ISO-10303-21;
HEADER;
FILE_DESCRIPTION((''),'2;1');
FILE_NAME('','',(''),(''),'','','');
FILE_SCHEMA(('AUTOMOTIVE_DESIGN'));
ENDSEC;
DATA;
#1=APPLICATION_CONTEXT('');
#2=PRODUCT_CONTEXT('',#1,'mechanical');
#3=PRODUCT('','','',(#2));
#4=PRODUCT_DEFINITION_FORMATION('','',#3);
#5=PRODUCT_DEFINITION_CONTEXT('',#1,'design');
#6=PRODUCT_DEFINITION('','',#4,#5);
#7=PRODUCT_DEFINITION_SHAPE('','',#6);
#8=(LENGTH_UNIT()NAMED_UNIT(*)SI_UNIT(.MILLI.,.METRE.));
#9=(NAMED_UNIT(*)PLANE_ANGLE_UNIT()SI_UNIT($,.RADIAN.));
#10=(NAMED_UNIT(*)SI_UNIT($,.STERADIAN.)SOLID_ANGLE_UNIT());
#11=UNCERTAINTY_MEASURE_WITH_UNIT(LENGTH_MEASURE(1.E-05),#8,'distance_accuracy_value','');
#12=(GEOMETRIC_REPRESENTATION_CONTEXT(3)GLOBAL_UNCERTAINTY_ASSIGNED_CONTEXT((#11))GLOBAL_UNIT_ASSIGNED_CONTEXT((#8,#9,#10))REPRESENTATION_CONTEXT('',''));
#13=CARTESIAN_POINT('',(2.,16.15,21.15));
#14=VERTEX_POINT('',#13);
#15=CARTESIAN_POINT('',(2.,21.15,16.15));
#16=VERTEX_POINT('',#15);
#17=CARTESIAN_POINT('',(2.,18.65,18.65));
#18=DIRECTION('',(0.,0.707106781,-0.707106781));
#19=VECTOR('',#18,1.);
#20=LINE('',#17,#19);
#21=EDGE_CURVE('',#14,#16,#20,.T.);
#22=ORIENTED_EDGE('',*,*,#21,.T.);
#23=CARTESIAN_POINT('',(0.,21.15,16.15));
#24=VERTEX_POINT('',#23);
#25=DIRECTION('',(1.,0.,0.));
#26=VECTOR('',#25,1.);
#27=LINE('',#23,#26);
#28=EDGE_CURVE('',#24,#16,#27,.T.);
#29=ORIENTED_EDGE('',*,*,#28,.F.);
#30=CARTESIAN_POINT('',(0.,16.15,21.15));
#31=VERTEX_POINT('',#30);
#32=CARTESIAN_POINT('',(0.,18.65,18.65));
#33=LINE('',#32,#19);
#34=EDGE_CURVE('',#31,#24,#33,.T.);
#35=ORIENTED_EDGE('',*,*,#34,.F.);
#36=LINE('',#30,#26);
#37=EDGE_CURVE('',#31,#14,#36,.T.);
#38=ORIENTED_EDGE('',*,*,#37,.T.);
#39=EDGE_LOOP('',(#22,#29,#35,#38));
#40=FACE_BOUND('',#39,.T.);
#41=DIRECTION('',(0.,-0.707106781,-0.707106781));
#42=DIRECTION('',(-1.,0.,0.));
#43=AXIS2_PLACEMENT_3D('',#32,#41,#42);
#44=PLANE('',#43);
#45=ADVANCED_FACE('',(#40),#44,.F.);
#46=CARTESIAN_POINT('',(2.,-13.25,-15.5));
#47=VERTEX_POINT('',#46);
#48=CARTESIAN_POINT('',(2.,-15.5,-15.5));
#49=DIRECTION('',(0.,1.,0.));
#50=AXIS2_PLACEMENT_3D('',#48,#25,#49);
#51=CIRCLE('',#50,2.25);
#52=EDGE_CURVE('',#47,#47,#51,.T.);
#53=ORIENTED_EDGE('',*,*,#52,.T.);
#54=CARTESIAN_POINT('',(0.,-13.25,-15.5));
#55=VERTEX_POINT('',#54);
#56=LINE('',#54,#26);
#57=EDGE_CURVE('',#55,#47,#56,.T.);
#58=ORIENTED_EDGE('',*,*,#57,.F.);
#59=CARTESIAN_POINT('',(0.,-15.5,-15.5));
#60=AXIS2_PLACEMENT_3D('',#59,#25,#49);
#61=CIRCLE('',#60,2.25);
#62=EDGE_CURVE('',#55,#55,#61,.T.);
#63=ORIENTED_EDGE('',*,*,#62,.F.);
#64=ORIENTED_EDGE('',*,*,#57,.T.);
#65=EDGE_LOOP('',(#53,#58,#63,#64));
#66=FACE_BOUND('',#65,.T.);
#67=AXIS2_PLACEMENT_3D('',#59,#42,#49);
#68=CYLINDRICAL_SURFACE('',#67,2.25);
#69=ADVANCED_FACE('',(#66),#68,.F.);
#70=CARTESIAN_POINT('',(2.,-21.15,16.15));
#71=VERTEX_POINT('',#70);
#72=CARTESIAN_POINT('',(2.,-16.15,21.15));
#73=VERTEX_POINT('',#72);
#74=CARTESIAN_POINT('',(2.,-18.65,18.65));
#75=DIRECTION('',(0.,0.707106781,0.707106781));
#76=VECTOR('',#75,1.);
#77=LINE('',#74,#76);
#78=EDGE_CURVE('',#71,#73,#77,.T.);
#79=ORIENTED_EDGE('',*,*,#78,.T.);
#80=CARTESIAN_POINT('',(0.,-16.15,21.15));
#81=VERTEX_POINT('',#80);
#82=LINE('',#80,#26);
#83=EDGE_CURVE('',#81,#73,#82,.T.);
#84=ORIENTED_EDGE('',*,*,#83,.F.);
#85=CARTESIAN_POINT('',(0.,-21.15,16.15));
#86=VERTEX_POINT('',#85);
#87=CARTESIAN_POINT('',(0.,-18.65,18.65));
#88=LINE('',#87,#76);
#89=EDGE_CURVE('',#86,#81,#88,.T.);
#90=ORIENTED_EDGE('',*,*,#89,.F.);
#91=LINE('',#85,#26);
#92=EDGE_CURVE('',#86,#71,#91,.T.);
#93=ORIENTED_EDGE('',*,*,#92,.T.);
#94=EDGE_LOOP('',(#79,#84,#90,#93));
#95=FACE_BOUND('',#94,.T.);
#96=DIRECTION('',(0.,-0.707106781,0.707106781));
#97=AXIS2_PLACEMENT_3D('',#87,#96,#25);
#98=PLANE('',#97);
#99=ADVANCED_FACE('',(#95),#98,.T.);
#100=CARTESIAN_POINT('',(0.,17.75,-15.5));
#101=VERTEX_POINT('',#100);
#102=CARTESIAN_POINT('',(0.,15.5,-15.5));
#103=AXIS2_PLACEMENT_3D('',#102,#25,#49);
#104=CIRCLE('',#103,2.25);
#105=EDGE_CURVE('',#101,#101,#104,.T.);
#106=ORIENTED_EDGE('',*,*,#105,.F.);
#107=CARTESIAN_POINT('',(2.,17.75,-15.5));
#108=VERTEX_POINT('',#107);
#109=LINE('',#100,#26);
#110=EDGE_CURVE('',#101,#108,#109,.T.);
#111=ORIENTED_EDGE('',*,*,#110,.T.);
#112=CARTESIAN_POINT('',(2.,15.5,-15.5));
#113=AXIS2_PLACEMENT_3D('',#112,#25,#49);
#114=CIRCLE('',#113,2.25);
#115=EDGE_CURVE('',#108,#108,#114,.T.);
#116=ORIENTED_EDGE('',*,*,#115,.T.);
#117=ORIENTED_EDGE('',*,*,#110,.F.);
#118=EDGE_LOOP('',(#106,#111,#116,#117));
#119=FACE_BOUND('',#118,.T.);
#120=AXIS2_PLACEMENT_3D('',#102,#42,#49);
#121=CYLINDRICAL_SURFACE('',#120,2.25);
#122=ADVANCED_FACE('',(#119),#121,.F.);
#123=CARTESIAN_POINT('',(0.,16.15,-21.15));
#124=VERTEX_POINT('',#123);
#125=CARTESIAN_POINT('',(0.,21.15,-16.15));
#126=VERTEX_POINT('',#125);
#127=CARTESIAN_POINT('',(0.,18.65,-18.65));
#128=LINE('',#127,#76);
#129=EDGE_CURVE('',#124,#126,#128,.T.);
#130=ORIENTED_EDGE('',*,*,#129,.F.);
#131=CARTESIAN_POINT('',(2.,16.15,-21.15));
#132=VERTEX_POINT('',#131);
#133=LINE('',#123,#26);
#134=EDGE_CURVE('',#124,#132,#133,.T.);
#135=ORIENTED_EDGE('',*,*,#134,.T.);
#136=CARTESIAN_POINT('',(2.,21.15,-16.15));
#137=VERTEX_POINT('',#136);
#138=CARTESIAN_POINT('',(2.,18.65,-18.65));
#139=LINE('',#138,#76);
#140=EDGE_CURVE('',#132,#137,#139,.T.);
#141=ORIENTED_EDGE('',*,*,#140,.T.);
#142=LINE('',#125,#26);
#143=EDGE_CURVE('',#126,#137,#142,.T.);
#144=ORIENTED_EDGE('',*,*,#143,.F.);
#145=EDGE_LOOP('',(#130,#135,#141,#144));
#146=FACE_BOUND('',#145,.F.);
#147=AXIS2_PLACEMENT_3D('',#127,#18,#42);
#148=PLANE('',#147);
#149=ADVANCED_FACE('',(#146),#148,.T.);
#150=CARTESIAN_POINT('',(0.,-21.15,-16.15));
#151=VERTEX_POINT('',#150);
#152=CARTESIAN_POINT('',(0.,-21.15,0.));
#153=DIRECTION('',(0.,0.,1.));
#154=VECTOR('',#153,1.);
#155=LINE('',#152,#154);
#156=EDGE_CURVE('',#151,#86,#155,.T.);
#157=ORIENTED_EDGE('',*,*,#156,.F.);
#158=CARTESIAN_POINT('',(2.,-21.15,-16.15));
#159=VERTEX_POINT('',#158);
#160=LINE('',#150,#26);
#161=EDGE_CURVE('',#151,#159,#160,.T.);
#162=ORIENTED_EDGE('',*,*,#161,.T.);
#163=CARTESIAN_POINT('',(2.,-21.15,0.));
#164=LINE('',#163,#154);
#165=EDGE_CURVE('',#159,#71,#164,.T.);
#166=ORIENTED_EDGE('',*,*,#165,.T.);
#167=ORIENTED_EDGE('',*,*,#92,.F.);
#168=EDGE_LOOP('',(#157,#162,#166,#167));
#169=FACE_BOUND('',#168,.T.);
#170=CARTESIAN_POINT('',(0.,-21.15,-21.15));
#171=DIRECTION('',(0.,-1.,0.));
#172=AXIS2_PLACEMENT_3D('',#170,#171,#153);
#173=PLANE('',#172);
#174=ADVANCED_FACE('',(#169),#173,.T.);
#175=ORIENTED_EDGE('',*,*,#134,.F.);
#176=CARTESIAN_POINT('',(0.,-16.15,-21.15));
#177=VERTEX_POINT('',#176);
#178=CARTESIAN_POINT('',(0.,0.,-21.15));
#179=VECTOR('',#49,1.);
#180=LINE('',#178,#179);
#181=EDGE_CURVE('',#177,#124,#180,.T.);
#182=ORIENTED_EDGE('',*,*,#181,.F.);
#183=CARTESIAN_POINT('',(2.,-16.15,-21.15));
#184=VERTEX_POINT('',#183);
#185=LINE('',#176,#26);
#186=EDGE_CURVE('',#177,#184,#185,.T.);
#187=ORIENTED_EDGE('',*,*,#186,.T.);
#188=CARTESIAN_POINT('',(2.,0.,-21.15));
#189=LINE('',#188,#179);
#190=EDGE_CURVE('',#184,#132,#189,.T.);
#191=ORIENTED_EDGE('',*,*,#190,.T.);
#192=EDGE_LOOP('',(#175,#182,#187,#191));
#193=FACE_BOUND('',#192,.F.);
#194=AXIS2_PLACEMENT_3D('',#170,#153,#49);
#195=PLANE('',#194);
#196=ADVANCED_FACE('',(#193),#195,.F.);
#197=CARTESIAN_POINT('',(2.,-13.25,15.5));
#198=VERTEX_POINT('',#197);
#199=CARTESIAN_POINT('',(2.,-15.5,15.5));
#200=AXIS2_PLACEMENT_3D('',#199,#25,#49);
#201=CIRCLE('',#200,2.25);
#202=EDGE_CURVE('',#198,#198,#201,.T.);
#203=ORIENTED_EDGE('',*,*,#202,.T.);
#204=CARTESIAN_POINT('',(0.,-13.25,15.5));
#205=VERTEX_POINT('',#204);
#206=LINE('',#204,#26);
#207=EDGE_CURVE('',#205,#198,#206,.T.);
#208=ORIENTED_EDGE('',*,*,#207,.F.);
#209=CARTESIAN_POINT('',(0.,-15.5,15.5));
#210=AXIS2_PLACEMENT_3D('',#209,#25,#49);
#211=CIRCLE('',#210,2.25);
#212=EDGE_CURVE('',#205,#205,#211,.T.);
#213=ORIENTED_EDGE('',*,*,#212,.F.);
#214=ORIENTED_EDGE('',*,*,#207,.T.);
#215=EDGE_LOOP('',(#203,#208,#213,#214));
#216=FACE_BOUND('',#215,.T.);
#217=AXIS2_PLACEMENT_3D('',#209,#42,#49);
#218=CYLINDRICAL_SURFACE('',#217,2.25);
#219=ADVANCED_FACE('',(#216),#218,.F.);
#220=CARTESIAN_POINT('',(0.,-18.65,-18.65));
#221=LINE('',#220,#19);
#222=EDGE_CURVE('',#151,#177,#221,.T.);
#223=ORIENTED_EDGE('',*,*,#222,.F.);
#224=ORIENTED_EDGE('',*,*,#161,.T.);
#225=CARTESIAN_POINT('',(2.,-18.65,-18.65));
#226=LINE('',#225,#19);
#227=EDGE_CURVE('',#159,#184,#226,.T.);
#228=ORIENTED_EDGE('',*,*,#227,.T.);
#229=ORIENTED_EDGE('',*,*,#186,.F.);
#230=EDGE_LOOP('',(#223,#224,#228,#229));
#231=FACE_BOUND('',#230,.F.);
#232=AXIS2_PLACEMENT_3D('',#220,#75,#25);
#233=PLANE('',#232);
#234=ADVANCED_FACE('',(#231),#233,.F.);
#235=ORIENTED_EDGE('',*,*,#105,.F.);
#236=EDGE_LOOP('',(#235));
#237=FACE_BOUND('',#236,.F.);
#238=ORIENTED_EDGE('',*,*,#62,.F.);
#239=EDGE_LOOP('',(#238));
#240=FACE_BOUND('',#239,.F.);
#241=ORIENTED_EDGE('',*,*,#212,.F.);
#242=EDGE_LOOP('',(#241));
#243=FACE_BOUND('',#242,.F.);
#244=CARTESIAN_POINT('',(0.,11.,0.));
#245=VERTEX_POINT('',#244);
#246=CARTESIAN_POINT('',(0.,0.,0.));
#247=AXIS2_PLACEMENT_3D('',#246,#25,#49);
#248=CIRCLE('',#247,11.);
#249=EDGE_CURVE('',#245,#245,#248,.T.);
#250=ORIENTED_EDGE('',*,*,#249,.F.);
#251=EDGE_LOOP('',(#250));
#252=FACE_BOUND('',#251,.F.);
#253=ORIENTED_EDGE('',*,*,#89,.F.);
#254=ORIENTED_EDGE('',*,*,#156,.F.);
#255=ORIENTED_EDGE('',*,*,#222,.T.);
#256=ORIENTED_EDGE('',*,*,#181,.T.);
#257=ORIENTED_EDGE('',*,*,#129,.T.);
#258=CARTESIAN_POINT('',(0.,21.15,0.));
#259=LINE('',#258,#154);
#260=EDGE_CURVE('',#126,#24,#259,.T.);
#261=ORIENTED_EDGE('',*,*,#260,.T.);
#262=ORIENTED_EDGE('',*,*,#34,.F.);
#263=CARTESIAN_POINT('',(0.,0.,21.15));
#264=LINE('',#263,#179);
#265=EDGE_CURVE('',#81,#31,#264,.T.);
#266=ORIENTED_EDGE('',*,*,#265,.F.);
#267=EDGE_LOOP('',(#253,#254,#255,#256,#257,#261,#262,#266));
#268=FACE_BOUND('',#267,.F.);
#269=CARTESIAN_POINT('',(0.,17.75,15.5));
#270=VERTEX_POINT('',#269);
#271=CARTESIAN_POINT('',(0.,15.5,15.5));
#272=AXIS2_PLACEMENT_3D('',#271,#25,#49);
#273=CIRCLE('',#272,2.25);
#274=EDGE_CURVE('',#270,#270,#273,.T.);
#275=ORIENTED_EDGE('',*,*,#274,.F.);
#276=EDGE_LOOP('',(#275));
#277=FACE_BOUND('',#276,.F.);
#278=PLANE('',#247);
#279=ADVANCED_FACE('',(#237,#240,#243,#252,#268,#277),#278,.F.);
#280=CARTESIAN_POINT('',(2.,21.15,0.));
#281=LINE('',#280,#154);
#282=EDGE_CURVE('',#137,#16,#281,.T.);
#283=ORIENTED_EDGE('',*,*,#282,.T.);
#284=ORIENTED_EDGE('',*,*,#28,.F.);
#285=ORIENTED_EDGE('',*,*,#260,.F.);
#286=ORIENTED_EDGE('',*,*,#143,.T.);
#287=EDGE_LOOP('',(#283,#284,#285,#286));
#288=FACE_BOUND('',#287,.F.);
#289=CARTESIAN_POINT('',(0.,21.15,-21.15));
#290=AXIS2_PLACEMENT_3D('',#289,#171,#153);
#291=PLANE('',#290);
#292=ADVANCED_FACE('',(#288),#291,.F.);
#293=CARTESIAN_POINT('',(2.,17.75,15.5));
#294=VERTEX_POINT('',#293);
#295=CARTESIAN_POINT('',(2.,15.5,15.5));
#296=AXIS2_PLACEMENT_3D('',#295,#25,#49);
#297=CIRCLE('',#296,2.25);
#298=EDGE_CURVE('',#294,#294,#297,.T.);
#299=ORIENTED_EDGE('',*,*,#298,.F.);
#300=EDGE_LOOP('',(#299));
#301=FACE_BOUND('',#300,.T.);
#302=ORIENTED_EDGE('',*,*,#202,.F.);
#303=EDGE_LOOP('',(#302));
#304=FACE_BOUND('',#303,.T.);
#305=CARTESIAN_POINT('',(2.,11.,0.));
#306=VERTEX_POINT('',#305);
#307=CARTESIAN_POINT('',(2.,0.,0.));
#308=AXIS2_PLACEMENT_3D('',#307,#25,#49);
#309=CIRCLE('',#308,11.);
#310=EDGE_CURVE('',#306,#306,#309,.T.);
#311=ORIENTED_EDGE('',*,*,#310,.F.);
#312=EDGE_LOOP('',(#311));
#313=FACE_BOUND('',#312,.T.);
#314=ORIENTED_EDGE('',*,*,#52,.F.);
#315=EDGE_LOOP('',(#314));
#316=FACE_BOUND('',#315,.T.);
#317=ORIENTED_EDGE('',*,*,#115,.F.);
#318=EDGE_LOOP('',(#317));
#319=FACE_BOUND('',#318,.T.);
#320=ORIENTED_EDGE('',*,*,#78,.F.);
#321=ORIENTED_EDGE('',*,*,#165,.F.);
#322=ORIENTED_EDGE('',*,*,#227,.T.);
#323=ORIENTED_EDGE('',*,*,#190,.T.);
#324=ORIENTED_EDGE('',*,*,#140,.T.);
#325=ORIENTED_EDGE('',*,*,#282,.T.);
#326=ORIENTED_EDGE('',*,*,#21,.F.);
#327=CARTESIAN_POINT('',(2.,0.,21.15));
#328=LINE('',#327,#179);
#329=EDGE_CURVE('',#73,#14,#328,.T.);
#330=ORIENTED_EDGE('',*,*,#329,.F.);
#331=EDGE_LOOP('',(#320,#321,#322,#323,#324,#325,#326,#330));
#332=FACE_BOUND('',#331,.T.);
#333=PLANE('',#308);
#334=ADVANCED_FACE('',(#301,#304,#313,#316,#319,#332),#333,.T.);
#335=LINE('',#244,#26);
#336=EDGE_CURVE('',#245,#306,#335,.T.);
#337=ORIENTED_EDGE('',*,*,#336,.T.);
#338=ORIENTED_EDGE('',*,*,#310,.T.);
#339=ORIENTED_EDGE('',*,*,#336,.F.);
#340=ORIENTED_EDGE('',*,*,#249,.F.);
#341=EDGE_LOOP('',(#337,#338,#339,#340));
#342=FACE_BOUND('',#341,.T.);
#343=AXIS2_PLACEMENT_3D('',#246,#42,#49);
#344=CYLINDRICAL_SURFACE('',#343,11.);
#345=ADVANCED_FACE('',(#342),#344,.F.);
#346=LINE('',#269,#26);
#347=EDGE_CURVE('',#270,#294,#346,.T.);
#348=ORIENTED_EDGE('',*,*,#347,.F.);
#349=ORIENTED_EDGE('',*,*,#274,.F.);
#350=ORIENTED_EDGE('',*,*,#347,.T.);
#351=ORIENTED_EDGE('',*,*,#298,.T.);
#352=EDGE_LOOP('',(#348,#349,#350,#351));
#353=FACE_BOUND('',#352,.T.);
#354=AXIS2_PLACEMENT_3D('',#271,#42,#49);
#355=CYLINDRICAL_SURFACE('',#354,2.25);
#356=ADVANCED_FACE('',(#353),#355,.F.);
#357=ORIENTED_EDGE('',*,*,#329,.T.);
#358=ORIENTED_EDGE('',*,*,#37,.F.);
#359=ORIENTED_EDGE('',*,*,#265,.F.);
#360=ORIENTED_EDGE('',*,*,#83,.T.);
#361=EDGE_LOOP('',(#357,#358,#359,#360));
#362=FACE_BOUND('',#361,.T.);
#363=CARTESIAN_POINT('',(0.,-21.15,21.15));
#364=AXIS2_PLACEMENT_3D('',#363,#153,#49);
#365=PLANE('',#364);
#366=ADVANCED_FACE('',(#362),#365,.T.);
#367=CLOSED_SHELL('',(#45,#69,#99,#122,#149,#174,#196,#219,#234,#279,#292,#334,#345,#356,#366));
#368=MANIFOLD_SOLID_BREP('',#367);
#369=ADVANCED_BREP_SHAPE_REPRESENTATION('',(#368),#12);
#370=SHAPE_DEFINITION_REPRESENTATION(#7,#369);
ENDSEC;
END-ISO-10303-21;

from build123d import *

# Parameters (mm, degrees)
F0_W     = 42.3
F0_H     = 42.3
F0_R     = 2.25
F0_R_2   = 11
F1_DEPTH = 2
F2_SIZE  = 5


with BuildPart() as f1:
    # F0 (on Right) → F1 (new body)
    with BuildSketch(Plane.YZ):
        Rectangle(F0_W, F0_H)
        with Locations((-15.5, -15.5)):
            Circle(F0_R, mode=Mode.SUBTRACT)
        with Locations((15.5, -15.5)):
            Circle(F0_R, mode=Mode.SUBTRACT)
        with Locations((-15.5, 15.5)):
            Circle(F0_R, mode=Mode.SUBTRACT)
        Circle(F0_R_2, mode=Mode.SUBTRACT)
        with Locations((15.5, 15.5)):
            Circle(F0_R, mode=Mode.SUBTRACT)
    extrude(amount=F1_DEPTH)

    # F2
    f2_edges = [f1.edges().sort_by_distance(p)[0] for p in [
        (1, -21.15, 21.15),
        (1, 21.15, 21.15),
        (1, -21.15, -21.15),
        (1, 21.15, -21.15),
    ]]
    chamfer(f2_edges, length=F2_SIZE)


solid = f1.part
